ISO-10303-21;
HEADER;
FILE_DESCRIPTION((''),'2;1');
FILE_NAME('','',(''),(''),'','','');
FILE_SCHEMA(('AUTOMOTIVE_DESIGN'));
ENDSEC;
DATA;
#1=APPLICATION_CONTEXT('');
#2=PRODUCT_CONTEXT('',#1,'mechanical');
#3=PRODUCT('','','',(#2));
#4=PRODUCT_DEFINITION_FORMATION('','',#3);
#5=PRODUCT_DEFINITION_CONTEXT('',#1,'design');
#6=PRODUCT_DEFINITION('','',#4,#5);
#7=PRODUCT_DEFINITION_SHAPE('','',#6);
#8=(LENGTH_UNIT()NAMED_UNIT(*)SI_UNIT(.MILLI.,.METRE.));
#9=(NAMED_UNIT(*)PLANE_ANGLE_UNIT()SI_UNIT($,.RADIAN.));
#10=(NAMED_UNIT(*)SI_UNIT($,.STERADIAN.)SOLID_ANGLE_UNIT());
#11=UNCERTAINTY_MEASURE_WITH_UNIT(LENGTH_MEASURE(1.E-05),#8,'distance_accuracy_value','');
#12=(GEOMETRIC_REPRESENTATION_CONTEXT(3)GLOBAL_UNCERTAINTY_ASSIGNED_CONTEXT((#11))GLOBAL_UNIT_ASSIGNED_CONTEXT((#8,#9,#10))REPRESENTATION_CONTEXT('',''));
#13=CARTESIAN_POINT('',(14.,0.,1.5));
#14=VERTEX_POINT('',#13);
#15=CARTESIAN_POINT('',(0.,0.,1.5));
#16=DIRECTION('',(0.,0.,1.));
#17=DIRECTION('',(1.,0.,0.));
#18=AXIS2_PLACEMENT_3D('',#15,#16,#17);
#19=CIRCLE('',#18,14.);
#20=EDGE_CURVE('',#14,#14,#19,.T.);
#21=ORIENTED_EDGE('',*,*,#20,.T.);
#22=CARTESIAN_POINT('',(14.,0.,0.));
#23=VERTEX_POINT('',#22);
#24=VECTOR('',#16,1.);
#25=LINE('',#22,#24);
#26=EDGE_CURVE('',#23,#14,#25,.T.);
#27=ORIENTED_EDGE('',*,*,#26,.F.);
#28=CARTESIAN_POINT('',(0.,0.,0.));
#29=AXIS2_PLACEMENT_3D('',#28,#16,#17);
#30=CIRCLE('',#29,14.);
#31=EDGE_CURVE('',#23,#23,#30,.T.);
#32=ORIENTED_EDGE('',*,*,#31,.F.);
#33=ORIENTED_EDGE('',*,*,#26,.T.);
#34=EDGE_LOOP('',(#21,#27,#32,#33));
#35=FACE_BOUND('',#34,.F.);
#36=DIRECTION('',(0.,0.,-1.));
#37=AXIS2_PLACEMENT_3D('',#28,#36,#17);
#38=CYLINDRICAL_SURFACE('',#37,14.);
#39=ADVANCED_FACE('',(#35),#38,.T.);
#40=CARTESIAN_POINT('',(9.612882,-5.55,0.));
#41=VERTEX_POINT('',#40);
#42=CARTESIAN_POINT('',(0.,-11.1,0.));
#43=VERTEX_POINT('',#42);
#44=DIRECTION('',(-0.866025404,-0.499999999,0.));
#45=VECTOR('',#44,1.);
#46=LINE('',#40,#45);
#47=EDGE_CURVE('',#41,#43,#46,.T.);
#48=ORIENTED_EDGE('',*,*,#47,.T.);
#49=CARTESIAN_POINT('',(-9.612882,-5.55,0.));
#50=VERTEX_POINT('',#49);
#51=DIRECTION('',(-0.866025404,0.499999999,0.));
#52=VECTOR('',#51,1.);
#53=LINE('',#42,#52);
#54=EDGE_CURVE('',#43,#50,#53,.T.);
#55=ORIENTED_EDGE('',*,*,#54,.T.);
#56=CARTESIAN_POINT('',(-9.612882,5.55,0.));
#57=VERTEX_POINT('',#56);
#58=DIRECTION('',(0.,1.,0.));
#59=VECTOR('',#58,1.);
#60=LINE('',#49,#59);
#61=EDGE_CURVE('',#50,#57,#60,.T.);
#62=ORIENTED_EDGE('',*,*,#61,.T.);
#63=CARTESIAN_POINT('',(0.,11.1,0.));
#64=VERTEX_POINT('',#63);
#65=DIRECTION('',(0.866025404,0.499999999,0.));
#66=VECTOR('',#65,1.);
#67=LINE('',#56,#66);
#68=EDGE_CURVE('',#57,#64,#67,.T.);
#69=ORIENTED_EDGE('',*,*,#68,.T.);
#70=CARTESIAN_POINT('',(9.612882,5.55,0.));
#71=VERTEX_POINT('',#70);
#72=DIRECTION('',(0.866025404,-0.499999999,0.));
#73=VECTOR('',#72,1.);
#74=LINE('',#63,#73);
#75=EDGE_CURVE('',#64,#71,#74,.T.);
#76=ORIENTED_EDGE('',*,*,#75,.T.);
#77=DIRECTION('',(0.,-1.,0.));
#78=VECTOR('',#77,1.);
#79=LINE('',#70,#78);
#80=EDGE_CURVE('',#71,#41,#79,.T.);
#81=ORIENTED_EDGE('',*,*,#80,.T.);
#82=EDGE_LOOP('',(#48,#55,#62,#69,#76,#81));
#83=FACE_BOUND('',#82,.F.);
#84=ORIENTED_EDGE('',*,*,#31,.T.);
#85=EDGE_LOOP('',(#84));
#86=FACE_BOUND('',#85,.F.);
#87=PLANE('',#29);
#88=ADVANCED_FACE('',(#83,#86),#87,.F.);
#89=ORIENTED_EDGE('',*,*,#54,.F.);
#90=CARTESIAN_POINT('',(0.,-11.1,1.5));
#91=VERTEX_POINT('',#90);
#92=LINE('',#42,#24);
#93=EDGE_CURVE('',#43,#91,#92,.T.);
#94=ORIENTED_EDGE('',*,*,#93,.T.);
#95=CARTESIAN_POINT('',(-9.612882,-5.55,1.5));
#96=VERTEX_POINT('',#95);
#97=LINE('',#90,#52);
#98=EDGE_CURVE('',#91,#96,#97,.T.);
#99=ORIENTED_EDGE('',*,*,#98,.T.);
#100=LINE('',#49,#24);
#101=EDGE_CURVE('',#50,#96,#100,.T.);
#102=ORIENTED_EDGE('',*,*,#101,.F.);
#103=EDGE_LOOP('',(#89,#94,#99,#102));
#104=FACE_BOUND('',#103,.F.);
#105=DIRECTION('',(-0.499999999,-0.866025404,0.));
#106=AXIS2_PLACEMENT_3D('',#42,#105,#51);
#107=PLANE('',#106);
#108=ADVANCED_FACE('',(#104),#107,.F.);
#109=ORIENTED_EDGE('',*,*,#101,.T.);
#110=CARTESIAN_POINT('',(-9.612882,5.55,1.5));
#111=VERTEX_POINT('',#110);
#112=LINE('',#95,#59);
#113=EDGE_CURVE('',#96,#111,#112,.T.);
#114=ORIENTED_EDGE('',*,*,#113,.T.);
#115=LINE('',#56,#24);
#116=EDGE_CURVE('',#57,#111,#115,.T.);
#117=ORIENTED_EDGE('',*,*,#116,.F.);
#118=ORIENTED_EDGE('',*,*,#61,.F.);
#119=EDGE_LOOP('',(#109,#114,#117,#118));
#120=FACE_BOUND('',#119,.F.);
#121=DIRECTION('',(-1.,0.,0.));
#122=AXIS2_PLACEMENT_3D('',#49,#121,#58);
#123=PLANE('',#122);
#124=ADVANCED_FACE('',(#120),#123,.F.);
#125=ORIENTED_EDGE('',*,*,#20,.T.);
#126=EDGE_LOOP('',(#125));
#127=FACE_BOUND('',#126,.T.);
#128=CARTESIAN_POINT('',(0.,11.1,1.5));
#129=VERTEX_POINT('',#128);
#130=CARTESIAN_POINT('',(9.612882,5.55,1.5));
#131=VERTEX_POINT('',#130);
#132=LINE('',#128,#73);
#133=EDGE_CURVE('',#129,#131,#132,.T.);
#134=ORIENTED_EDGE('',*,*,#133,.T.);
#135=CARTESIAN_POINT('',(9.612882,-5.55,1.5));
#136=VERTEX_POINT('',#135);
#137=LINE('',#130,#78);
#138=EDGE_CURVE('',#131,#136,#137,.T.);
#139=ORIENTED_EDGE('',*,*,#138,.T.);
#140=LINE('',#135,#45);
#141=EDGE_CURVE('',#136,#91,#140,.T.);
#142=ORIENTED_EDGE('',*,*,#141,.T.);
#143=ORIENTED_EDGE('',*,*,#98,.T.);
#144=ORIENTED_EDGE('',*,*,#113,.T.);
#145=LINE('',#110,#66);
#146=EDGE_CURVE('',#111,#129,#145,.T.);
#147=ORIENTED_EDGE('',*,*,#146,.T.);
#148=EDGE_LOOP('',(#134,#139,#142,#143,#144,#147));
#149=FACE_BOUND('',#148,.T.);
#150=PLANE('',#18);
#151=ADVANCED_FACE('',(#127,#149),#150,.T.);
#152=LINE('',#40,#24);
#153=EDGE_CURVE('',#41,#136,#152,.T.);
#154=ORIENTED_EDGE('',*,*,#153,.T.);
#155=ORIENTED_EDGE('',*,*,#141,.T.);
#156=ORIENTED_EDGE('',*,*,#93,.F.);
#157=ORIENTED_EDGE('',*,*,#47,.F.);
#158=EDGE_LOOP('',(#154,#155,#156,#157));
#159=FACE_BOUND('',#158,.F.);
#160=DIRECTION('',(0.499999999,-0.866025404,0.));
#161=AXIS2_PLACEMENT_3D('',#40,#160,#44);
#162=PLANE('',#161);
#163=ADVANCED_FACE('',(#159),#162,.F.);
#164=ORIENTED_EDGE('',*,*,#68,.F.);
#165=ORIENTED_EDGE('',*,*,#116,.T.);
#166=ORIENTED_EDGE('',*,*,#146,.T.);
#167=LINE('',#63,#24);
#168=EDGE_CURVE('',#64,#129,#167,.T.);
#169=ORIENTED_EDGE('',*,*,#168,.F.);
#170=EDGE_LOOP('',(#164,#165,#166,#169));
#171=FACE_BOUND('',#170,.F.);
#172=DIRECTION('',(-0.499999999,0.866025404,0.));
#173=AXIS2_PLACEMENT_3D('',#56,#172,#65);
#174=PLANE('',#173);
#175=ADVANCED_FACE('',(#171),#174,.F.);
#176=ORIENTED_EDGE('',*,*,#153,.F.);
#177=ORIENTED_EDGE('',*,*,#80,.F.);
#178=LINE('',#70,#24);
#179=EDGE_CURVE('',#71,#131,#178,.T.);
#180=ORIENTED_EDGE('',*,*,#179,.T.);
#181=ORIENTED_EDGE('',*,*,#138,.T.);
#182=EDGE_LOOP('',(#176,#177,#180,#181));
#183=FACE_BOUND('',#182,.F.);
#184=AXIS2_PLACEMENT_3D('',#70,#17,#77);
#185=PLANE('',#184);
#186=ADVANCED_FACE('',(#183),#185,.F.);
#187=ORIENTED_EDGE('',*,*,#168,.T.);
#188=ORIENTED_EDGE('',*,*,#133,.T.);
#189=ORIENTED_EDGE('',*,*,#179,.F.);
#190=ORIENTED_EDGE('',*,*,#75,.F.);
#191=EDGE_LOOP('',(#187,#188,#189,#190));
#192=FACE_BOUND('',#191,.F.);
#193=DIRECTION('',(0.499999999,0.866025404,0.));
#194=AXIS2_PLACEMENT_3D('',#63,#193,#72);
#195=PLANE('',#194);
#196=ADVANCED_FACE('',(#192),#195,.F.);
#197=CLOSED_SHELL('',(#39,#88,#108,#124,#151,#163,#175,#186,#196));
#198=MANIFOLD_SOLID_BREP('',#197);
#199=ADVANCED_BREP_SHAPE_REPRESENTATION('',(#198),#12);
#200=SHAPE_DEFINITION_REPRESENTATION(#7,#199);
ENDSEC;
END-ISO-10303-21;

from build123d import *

# Parameters (mm, degrees)
F0_R     = 14
F1_DEPTH = 1.5


with BuildPart() as f1:
    # F0 (on Top) → F1 (new body)
    with BuildSketch(Plane.XY):
        Circle(F0_R)
        Polygon((-9.612882, -5.55), (-9.612882, 0), (-9.612882, 5.55), (0, 11.1), (9.612882, 5.55), (9.612882, 0), (9.612882, -5.55), (0, -11.1), align=None, mode=Mode.SUBTRACT)
    extrude(amount=F1_DEPTH)


solid = f1.part
